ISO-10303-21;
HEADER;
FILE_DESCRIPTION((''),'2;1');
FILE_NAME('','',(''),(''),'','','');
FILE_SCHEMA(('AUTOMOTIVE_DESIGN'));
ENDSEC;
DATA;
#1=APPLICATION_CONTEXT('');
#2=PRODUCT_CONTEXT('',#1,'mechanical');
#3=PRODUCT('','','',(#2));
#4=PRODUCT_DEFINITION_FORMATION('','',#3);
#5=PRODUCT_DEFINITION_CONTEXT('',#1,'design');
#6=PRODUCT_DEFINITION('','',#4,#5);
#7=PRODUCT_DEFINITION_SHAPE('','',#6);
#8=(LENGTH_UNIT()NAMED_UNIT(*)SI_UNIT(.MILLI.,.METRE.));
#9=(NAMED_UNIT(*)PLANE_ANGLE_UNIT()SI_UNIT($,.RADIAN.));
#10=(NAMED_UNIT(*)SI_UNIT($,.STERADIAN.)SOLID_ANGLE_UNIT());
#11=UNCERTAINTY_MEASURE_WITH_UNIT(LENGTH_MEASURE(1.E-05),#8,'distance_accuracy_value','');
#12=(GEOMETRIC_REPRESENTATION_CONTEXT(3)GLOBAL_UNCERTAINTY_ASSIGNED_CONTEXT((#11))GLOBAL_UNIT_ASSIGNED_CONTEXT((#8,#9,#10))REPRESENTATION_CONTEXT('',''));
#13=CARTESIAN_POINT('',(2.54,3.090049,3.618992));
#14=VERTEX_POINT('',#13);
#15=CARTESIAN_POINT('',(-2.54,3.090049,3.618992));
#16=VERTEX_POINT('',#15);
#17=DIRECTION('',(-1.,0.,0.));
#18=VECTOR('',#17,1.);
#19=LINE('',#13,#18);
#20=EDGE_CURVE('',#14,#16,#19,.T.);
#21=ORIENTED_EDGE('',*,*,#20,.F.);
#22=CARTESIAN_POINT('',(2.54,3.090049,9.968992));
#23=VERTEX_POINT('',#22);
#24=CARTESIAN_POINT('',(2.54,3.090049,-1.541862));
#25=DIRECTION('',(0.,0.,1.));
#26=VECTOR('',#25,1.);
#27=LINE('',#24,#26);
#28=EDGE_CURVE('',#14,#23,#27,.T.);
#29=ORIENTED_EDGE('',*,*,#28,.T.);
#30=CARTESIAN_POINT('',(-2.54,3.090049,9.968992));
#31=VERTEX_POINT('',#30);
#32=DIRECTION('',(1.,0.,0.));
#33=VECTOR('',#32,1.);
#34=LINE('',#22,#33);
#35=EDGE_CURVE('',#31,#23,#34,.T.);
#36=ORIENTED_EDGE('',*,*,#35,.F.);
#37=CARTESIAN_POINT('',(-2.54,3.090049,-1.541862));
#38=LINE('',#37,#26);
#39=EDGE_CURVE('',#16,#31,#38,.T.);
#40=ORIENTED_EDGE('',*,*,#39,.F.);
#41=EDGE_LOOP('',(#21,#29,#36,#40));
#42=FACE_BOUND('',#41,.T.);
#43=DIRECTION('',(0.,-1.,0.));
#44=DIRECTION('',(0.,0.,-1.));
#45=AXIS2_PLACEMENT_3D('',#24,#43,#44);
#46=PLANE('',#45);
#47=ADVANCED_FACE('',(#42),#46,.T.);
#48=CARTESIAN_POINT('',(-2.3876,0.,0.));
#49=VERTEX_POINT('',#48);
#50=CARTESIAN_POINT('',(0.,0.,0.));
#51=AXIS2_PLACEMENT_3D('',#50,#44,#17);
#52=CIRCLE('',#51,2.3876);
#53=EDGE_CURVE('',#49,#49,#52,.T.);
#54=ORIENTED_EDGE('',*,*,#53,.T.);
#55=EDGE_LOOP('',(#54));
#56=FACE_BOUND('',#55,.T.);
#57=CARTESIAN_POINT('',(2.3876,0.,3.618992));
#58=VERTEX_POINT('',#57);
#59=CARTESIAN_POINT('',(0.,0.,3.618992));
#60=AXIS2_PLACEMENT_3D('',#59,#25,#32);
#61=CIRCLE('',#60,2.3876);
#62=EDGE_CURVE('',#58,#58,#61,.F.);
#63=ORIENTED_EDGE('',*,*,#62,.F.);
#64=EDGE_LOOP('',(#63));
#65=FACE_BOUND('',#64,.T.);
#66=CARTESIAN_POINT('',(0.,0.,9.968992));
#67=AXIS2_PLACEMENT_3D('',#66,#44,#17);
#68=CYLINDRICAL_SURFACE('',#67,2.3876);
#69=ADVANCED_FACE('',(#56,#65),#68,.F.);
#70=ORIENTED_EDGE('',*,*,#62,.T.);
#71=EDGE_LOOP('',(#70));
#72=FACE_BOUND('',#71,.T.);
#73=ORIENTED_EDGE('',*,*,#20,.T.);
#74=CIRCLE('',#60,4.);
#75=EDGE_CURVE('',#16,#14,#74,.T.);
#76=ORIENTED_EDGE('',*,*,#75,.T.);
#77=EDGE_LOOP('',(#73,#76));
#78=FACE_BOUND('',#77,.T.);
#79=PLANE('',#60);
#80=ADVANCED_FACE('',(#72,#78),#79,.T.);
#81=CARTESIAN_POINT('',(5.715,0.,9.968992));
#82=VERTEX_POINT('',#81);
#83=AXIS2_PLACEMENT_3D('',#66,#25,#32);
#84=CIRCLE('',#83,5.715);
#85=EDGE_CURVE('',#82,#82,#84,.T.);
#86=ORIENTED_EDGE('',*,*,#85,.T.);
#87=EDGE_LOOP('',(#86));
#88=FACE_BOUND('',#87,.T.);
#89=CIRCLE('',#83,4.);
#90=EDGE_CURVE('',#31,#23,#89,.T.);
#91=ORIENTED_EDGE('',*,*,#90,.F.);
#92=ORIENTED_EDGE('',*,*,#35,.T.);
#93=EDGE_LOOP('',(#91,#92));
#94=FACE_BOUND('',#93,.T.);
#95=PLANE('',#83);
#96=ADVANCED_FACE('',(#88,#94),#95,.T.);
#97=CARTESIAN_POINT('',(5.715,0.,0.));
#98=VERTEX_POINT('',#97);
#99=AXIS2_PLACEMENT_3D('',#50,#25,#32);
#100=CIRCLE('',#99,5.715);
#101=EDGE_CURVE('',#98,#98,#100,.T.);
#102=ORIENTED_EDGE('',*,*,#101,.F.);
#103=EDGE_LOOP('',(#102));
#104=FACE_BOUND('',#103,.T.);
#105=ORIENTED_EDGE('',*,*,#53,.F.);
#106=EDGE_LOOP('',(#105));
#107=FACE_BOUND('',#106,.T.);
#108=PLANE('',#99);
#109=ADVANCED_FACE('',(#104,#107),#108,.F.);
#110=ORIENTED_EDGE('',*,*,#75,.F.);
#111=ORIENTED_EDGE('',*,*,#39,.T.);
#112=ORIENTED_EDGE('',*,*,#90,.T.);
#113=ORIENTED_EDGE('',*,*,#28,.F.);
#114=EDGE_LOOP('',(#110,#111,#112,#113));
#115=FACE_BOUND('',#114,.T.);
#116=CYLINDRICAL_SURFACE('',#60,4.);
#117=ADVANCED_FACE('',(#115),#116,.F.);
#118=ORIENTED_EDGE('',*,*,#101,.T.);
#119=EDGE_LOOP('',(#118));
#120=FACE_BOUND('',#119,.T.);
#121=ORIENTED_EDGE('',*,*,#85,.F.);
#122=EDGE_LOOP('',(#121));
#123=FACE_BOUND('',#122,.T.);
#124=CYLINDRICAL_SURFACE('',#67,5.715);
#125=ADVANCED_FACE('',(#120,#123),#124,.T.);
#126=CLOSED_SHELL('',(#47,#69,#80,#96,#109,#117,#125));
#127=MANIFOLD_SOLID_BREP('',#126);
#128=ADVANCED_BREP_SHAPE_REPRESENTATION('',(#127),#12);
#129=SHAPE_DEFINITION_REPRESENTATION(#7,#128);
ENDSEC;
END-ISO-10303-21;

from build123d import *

# Parameters (mm, degrees)
SKETCH1_R           = 5.715
BOSS_EXTRUDE1_DEPTH = 9.968992
SKETCH2_R           = 2.3876
CUT_EXTRUDE1_DEPTH  = 10.968992
SKETCH3_R           = 4
CUT_EXTRUDE2_DEPTH  = 6.35
BOSS_EXTRUDE2_DEPTH = 6.35


with BuildPart() as part:
    # Sketch1 → Boss-Extrude1 (new body)
    with BuildSketch(Plane.XY):
        Circle(SKETCH1_R)
    extrude(amount=BOSS_EXTRUDE1_DEPTH)

    # Sketch2 → Cut-Extrude1 (cut, through all)
    with BuildSketch(Plane(origin=(0, 0, 0), x_dir=(-1, 0, 0), z_dir=(0, 0, -1))):
        Circle(SKETCH2_R)
    extrude(amount=-CUT_EXTRUDE1_DEPTH, mode=Mode.SUBTRACT)

    # Sketch3 → Cut-Extrude2 (cut)
    with BuildSketch(Plane.XY.offset(9.968992)):
        Circle(SKETCH3_R)
    extrude(amount=-CUT_EXTRUDE2_DEPTH, mode=Mode.SUBTRACT)

    # Sketch4 → Boss-Extrude2 (add)
    with BuildSketch(Plane.XY.offset(9.968992)):
        with BuildLine():
            Line((2.54, 3.090048543), (-2.54, 3.090048543))
            ThreePointArc((-2.54, 3.090048543), (0, 4), (2.54, 3.090048543))
        make_face()
    extrude(amount=-BOSS_EXTRUDE2_DEPTH)


solid = part.part
